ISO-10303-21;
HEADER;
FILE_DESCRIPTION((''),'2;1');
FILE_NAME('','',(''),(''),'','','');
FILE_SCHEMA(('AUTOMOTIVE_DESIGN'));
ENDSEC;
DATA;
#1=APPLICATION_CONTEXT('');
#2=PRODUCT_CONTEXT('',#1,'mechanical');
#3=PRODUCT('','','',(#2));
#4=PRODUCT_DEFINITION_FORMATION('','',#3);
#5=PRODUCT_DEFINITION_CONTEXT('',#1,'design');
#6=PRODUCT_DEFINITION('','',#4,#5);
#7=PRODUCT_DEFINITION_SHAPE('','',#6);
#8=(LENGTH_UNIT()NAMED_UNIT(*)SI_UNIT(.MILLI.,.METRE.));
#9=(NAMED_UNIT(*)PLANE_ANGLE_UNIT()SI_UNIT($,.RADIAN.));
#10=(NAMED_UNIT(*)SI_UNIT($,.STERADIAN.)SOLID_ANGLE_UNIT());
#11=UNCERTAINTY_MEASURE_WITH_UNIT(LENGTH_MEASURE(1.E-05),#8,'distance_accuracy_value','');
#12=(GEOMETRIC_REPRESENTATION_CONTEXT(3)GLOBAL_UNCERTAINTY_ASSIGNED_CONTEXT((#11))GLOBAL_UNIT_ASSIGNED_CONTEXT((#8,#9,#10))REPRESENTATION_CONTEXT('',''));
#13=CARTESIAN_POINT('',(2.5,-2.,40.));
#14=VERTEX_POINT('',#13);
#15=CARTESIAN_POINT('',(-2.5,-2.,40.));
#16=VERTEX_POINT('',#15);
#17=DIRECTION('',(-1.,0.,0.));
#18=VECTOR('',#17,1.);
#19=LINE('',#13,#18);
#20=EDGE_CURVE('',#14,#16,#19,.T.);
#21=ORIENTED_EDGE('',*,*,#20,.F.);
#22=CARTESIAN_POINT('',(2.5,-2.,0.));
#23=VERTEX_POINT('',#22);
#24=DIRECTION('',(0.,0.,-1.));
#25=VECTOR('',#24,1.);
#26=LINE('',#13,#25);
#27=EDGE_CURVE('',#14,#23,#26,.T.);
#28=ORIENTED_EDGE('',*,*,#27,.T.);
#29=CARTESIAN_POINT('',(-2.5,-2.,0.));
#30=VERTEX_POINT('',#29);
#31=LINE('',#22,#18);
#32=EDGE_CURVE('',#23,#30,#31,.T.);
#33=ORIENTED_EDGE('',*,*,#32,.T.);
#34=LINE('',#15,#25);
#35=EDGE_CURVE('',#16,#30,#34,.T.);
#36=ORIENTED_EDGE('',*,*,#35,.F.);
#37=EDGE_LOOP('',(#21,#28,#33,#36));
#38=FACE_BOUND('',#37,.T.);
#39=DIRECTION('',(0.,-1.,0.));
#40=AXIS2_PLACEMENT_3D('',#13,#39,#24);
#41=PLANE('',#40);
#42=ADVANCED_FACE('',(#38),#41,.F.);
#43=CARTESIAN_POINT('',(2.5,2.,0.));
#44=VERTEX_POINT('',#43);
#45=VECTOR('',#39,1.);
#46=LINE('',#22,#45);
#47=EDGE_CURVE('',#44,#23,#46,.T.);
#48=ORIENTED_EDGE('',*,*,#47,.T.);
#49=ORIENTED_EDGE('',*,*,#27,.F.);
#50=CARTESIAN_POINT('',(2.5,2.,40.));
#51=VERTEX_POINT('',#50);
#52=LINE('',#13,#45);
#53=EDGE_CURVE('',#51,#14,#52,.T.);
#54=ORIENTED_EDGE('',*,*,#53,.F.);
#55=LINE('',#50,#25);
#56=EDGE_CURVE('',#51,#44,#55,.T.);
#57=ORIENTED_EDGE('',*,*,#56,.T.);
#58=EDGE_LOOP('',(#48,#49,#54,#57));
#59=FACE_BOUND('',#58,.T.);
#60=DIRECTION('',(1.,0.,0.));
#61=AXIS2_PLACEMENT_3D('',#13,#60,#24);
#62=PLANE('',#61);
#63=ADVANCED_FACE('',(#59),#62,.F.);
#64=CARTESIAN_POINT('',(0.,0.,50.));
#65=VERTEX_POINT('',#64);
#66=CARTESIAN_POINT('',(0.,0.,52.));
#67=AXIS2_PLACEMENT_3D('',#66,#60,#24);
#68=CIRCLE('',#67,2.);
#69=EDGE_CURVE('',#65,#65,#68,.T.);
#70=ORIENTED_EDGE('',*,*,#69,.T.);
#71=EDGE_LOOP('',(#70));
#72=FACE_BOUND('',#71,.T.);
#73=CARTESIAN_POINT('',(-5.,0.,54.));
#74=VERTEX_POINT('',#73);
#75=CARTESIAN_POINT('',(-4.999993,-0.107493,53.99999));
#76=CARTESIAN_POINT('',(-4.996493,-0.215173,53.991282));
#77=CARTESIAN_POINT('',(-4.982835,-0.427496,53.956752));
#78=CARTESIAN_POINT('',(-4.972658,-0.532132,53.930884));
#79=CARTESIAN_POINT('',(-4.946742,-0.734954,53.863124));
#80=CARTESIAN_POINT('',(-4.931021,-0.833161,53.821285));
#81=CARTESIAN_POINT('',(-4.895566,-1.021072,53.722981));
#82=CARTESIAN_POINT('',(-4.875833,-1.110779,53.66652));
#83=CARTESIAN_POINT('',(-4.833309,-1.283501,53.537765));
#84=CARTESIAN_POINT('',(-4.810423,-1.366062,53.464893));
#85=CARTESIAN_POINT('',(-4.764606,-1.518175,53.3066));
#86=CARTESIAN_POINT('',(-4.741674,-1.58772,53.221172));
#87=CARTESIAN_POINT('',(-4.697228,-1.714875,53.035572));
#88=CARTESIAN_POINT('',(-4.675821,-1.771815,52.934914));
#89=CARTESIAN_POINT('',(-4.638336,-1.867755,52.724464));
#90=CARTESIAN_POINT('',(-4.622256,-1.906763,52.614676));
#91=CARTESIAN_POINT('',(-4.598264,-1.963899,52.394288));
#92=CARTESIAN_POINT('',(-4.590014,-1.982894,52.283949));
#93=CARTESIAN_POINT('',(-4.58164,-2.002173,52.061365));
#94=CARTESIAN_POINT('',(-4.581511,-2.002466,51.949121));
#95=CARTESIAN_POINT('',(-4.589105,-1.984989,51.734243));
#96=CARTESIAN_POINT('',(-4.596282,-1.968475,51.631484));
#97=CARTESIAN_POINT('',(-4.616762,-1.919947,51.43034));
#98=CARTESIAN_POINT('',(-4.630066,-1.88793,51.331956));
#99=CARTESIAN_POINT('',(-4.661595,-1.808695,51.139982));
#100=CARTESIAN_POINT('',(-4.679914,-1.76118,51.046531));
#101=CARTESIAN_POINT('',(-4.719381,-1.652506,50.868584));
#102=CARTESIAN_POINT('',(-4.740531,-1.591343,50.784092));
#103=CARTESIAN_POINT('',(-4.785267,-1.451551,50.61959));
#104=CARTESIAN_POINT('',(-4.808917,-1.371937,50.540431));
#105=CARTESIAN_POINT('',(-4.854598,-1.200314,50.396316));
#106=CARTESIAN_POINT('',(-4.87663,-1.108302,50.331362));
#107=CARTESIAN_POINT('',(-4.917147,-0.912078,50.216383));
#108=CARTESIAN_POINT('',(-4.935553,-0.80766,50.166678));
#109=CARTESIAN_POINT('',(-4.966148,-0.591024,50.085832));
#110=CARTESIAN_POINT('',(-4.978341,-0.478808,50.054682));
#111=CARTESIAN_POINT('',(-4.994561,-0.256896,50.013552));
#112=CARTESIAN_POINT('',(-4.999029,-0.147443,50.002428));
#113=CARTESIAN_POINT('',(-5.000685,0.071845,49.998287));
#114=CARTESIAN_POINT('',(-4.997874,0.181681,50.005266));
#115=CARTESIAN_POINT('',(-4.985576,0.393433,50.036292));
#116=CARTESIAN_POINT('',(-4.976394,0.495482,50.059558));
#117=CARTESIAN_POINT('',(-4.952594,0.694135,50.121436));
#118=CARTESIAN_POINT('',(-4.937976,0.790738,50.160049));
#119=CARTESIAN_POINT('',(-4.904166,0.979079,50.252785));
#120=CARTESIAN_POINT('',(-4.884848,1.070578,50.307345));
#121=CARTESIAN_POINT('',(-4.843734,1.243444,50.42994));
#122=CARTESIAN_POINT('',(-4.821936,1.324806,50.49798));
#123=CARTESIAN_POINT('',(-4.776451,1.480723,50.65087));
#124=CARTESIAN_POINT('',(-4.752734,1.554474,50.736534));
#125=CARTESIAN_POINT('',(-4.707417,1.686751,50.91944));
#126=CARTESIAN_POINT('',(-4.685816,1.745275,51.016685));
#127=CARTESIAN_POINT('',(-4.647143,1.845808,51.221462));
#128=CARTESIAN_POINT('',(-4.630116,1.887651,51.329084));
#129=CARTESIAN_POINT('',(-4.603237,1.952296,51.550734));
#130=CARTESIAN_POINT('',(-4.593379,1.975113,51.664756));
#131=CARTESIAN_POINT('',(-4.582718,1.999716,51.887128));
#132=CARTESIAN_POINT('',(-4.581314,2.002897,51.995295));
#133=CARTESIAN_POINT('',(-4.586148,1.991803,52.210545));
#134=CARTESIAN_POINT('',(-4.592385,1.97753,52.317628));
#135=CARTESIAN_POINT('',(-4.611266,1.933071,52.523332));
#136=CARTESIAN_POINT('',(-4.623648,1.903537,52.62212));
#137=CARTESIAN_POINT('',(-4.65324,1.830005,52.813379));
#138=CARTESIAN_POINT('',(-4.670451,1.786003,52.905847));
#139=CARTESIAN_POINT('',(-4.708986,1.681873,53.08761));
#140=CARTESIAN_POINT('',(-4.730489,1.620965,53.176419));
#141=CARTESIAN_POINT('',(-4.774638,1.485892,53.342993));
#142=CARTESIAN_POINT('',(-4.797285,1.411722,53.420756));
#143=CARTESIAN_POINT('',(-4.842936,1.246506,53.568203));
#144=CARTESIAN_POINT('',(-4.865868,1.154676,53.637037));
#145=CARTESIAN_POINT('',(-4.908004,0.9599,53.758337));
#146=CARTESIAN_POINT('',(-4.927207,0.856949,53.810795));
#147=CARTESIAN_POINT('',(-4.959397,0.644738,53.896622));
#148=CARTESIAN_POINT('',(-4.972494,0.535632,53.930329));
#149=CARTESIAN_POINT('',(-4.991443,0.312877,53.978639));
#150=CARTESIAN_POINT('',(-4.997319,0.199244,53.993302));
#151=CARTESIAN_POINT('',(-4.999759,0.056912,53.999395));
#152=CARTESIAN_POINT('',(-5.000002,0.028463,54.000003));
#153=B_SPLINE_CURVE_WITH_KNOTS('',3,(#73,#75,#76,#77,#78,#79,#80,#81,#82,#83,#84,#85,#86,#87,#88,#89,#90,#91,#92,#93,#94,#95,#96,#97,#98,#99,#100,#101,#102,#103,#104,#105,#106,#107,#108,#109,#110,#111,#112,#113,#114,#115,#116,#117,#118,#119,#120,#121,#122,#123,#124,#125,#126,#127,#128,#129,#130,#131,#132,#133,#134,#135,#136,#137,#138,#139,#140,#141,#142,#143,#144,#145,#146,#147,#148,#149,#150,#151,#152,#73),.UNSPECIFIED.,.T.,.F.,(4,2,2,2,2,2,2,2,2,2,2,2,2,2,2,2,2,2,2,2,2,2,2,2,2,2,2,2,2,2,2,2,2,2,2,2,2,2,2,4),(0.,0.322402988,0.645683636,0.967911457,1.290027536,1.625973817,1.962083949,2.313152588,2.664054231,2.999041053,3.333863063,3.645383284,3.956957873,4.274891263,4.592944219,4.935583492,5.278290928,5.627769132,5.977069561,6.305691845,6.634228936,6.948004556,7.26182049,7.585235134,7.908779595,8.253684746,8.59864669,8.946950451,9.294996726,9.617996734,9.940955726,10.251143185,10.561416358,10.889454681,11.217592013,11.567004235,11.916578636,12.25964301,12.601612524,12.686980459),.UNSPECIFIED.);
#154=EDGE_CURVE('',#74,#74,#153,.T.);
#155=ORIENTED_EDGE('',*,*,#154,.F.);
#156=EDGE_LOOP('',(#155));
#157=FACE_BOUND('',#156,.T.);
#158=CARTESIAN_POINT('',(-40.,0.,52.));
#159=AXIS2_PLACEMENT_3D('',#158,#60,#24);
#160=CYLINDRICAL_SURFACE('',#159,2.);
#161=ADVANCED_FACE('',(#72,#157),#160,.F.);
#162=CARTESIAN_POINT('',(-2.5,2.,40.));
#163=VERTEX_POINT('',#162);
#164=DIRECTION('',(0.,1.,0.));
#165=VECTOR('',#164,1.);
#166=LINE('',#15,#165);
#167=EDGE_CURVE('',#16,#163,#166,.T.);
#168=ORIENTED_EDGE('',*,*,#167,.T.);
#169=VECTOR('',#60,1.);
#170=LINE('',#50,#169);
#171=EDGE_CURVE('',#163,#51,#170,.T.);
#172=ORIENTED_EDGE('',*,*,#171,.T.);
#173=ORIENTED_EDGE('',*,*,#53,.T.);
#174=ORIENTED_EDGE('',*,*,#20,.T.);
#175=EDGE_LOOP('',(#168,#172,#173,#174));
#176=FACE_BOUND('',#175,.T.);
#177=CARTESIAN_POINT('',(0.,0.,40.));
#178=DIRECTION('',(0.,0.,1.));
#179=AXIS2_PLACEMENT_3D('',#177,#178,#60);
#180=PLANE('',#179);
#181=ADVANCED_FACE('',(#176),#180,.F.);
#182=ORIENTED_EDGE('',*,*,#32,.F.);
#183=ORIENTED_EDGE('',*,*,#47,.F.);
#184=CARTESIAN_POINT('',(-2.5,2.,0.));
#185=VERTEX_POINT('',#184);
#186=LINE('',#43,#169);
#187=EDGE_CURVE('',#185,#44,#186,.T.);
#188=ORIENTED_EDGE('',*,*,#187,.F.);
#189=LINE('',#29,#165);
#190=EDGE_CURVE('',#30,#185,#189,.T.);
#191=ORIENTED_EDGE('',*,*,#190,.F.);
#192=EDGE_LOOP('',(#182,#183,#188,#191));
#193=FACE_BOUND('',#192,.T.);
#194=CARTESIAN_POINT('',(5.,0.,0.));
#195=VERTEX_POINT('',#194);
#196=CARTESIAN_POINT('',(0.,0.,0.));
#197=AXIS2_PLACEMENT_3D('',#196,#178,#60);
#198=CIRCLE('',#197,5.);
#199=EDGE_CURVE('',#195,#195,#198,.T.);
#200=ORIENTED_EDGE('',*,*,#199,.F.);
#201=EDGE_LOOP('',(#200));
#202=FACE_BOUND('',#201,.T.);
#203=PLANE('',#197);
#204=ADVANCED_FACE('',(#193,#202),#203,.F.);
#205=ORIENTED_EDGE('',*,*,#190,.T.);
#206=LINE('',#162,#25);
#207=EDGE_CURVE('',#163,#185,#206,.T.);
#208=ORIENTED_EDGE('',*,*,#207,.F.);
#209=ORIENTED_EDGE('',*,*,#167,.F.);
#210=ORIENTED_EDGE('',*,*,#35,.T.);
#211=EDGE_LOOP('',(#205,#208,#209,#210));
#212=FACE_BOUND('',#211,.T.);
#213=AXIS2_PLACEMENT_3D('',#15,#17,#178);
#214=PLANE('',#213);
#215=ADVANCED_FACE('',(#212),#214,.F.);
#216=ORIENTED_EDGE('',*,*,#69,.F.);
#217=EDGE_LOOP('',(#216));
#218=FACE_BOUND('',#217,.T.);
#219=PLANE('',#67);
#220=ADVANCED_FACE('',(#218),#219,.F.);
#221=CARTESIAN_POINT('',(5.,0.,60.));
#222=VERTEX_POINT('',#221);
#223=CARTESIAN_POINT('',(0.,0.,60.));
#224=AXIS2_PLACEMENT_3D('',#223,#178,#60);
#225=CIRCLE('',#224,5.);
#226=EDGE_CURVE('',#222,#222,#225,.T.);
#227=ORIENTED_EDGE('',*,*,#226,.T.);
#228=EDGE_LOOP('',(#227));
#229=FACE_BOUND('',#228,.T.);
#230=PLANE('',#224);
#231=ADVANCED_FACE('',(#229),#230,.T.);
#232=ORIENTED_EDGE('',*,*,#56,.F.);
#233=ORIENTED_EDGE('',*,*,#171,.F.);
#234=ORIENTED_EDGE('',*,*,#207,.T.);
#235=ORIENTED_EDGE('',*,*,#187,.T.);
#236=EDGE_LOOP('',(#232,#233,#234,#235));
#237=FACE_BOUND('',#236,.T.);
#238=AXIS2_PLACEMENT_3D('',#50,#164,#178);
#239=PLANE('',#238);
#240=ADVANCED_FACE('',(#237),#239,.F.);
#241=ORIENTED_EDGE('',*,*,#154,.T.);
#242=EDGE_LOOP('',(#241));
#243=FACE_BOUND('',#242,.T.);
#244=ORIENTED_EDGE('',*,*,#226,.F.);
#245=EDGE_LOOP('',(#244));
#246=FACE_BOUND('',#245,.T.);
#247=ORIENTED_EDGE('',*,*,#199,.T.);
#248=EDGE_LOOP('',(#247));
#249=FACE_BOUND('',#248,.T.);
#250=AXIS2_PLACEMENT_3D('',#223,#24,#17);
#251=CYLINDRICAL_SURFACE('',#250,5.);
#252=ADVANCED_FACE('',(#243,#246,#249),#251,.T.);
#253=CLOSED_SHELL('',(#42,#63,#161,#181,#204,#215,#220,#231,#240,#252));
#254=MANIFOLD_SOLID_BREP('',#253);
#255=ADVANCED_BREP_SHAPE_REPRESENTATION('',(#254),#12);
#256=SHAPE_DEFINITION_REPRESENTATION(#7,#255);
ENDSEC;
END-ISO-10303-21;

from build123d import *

# Parameters (mm, degrees)
SKETCH1_R           = 5
BOSS_EXTRUDE1_DEPTH = 60
SKETCH2_W           = 5
SKETCH2_H           = 4
CUT_EXTRUDE1_DEPTH  = 40
SKETCH4_R           = 2
CUT_EXTRUDE2_DEPTH  = 40


with BuildPart() as part:
    # Sketch1 → Boss-Extrude1 (new body)
    with BuildSketch(Plane.XY):
        Circle(SKETCH1_R)
    extrude(amount=BOSS_EXTRUDE1_DEPTH)

    # Sketch2 → Cut-Extrude1 (cut)
    with BuildSketch(Plane(origin=(0, 0, 0), x_dir=(-1, 0, 0), z_dir=(0, 0, -1))):
        Rectangle(SKETCH2_W, SKETCH2_H)
    extrude(amount=-CUT_EXTRUDE1_DEPTH, mode=Mode.SUBTRACT)

    # Sketch4 → Cut-Extrude2 (cut)
    with BuildSketch(Plane(origin=(0, 0, 0), x_dir=(0, 0, -1), z_dir=(1, 0, 0))):
        with Locations((-52, 0)):
            Circle(SKETCH4_R)
    extrude(amount=-CUT_EXTRUDE2_DEPTH, mode=Mode.SUBTRACT)


solid = part.part
